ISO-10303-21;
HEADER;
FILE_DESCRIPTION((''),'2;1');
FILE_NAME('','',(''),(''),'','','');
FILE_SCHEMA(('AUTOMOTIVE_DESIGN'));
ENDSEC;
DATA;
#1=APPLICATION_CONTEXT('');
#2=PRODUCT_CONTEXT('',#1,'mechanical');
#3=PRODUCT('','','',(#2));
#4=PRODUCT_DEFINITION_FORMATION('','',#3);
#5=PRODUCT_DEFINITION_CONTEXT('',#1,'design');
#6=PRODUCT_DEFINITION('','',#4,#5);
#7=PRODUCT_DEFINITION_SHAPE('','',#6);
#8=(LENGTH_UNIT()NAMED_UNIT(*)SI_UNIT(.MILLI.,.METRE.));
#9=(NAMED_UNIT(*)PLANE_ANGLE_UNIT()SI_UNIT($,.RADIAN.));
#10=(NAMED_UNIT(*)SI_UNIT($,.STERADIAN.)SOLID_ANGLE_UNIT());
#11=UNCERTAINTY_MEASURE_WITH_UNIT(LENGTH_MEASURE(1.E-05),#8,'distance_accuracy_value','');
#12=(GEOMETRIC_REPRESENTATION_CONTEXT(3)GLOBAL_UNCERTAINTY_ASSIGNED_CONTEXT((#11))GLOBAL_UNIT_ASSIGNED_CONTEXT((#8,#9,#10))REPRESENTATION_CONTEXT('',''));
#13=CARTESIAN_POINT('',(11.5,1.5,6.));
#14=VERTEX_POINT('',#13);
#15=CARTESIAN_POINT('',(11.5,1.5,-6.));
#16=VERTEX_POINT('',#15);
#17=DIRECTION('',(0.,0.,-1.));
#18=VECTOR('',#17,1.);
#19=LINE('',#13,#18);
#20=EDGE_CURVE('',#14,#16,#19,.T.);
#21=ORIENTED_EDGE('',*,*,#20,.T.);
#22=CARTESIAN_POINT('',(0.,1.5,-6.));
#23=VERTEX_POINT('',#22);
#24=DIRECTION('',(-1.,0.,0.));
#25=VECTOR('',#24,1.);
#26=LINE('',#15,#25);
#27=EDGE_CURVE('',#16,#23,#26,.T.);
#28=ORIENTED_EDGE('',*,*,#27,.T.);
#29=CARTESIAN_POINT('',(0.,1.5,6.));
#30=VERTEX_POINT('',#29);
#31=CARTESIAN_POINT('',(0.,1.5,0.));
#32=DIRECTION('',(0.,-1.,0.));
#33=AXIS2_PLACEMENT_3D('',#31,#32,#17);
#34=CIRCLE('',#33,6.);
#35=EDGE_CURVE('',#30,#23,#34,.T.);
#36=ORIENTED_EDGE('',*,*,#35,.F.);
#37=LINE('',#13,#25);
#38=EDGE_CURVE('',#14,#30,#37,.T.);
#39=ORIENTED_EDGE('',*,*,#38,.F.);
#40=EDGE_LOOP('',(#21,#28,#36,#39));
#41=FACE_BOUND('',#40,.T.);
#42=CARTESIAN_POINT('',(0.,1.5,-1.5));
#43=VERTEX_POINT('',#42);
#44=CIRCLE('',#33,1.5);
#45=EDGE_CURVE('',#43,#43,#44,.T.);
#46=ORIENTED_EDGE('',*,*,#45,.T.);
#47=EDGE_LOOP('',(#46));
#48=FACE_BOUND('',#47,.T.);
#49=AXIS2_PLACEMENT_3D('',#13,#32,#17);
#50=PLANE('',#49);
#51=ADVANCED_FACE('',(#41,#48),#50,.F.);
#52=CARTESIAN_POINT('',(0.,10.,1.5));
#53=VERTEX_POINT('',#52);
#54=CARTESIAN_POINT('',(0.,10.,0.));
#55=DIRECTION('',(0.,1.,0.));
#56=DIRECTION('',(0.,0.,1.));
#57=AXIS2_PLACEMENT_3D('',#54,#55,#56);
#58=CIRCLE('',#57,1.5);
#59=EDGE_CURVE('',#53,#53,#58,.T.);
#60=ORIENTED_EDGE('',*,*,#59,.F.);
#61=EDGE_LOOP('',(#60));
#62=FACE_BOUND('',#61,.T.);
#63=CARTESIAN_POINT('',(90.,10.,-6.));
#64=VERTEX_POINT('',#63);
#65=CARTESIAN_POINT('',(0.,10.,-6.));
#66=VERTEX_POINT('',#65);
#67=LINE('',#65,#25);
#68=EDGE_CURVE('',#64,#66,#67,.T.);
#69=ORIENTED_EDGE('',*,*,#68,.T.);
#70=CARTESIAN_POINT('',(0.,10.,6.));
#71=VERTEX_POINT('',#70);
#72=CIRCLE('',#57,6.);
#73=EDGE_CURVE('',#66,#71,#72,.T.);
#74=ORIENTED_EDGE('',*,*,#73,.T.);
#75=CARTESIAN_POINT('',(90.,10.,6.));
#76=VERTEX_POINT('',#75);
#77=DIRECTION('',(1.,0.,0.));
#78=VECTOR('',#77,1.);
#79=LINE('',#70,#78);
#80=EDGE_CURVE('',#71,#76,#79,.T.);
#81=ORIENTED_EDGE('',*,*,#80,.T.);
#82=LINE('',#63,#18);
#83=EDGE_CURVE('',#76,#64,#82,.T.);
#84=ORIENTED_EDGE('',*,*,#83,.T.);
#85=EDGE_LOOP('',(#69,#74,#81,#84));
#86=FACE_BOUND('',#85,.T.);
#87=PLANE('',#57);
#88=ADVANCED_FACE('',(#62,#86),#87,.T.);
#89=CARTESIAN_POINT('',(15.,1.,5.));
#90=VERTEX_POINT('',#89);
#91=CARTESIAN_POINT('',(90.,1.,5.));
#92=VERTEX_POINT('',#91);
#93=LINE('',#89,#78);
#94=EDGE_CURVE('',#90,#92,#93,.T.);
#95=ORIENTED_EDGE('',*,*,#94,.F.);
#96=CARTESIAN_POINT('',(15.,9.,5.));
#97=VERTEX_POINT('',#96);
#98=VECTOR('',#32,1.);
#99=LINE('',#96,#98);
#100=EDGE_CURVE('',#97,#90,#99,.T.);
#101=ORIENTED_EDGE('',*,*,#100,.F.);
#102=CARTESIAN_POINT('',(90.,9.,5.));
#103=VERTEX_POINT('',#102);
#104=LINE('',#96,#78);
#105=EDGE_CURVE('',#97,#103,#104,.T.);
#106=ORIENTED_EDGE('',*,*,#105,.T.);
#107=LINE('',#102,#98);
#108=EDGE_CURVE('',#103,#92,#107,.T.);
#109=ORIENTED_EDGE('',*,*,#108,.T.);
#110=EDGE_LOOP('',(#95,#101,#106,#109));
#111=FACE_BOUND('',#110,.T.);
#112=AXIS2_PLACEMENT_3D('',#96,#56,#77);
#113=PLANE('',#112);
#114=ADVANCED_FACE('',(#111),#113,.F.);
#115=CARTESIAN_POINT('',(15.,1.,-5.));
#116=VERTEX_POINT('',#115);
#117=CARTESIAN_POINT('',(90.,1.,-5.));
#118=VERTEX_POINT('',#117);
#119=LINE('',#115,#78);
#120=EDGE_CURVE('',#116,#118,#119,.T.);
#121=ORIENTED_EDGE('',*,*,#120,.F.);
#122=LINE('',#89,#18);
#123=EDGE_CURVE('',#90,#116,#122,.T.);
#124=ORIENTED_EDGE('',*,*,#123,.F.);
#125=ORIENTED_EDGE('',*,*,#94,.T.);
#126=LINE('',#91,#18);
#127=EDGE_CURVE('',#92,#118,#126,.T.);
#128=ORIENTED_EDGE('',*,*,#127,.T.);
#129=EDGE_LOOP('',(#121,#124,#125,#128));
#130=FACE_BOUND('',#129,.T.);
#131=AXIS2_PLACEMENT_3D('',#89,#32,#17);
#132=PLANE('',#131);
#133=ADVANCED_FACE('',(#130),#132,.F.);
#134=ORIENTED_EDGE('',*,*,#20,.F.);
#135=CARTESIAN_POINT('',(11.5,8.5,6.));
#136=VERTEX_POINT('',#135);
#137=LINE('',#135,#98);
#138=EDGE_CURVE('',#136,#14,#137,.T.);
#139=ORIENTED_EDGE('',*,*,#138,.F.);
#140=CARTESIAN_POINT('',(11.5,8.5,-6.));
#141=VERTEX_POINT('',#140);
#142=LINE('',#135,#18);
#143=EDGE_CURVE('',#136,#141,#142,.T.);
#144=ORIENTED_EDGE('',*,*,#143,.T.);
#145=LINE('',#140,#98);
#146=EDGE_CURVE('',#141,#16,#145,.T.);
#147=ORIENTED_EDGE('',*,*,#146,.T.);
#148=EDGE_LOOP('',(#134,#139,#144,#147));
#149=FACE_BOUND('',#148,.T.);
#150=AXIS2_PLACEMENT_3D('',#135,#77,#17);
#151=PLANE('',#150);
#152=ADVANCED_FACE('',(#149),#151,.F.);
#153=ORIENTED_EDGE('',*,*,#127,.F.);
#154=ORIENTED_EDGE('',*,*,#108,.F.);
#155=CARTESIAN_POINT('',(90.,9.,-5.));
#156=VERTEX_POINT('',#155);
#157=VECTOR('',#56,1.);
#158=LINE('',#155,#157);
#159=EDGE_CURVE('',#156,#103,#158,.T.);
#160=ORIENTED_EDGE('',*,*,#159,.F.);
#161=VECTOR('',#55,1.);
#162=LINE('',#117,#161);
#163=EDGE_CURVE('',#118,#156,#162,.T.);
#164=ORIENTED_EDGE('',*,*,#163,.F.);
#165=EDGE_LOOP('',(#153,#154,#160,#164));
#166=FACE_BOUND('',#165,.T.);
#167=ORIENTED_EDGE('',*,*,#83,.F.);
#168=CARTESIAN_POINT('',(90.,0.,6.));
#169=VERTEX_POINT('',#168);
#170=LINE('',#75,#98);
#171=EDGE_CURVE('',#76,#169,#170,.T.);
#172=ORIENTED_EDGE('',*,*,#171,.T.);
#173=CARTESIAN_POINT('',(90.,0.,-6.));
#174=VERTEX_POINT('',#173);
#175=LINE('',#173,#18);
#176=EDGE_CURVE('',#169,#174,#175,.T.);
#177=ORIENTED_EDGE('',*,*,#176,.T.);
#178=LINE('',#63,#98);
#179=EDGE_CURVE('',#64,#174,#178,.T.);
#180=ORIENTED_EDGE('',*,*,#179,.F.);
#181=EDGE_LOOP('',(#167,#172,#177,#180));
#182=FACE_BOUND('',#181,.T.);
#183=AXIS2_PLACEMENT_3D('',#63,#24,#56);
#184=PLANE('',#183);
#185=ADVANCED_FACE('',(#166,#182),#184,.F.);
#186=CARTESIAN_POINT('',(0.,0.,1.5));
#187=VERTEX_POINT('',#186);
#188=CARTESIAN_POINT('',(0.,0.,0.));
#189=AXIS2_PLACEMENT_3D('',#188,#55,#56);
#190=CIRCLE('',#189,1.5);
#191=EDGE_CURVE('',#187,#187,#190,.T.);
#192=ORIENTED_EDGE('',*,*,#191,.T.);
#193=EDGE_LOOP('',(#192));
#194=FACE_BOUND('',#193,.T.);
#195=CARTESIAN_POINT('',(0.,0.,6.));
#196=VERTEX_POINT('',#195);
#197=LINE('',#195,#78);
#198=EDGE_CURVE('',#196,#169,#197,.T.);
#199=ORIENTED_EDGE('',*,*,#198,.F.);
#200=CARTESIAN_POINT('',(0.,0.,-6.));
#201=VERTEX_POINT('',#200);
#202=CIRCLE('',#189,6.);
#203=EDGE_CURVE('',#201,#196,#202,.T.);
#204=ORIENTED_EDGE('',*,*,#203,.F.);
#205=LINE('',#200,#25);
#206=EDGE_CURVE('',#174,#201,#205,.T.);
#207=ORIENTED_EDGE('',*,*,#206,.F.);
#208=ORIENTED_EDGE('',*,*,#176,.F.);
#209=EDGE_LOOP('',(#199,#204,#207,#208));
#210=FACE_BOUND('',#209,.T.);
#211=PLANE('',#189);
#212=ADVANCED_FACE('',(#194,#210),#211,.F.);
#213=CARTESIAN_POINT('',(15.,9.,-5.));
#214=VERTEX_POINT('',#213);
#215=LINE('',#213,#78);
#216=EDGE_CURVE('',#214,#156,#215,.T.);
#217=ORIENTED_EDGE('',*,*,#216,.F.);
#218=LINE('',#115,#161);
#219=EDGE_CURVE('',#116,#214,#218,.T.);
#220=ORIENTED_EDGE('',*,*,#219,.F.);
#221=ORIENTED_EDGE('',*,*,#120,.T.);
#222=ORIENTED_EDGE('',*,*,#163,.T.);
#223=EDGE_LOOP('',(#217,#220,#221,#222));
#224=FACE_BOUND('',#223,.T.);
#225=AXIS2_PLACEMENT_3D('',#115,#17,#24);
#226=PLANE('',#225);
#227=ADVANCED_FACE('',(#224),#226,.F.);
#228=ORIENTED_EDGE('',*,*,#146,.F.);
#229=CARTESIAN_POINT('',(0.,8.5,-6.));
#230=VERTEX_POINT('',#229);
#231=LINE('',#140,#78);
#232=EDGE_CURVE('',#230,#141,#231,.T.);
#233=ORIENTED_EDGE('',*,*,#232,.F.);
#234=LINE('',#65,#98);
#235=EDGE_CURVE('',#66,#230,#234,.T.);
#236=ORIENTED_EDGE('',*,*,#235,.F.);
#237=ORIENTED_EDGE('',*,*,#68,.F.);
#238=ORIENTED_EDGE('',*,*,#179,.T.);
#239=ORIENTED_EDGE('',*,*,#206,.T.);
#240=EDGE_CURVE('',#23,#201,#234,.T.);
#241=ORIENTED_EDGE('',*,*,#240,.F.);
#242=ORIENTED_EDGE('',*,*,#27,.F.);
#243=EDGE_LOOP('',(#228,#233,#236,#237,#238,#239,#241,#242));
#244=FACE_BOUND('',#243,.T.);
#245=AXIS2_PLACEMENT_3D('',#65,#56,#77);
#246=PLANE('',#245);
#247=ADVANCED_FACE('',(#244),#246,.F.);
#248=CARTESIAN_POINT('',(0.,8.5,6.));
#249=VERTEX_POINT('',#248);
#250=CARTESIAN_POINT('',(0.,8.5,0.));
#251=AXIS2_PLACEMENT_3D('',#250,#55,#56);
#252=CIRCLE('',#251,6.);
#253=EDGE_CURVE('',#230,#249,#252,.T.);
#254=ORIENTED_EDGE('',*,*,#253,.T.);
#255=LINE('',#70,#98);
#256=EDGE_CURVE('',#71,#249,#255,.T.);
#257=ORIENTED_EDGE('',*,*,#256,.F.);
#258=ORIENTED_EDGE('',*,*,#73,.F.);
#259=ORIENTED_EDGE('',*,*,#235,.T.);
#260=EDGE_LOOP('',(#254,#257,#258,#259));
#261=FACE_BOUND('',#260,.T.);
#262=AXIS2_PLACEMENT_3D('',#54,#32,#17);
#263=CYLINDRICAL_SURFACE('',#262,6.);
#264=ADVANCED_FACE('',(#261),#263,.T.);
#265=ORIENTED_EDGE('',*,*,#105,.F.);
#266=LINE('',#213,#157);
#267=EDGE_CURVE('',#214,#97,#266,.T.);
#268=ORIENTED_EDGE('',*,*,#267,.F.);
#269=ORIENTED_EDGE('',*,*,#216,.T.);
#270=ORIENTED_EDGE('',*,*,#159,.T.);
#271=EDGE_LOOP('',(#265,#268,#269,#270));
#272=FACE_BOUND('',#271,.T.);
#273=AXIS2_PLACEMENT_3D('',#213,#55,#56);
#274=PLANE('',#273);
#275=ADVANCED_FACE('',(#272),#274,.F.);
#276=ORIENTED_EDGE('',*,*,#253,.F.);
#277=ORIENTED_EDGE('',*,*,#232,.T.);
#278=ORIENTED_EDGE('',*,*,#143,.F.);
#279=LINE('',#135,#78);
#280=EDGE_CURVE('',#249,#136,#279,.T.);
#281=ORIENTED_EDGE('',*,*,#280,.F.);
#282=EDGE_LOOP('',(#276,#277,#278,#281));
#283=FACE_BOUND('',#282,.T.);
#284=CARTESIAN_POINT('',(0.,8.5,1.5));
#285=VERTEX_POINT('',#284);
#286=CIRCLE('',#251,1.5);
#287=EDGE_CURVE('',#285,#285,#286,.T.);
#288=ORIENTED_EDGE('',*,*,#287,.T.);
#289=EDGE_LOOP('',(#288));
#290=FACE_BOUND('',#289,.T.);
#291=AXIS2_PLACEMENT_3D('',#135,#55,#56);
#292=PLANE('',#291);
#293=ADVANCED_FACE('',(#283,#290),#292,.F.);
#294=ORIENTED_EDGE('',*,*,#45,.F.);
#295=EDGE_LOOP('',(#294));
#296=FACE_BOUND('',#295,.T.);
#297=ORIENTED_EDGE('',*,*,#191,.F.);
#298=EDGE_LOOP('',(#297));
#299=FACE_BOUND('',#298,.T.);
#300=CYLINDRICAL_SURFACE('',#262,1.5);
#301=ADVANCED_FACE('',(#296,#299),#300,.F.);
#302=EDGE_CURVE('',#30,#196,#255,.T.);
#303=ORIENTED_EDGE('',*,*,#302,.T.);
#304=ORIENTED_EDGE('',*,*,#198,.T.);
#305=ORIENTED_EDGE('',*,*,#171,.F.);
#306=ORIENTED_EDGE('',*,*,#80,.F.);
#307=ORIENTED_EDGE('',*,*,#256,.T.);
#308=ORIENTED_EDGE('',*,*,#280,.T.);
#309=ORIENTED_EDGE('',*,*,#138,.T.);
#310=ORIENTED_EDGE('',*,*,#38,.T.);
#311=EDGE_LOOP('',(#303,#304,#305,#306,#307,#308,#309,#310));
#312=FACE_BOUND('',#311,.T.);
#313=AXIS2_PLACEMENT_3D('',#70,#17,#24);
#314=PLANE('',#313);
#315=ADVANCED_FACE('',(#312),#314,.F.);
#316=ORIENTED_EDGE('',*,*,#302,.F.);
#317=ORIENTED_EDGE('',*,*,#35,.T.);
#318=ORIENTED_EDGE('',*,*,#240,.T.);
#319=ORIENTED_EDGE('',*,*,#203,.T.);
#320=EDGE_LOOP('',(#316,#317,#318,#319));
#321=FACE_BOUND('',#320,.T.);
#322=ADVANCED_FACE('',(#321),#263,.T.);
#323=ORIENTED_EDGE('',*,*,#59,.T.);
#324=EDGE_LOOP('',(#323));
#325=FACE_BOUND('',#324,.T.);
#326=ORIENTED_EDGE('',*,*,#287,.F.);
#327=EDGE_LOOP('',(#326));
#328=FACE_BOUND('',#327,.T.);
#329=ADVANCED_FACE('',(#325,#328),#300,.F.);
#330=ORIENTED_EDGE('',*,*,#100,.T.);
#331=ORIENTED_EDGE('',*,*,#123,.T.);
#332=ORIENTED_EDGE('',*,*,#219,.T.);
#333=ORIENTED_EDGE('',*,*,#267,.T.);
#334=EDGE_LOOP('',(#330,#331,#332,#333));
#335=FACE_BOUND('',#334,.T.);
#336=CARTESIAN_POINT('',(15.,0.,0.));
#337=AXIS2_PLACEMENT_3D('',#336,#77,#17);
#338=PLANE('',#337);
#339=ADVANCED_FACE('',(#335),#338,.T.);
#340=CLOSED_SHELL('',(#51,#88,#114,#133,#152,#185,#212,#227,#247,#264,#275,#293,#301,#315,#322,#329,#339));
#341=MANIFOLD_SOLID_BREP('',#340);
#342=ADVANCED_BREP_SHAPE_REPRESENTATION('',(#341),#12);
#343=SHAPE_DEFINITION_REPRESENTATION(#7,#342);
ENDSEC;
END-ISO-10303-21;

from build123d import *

# Parameters (mm, degrees)
SZKIC1_R                    = 1.5
DODANIE_WYCI_GNI_CIE1_DEPTH = 10
SZKIC2_W                    = 35
SZKIC2_H                    = 7
WYTNIJ_WYCI_GNI_CIE1_DEPTH  = 13
SZKIC3_W                    = 10
SZKIC3_H                    = 8
WYTNIJ_WYCI_GNI_CIE2_DEPTH  = 75


with BuildPart() as part:
    # Szkic1 → Dodanie-wyciągnięcie1 (new body)
    with BuildSketch(Plane(origin=(0, 0, 0), x_dir=(1, 0, 0), z_dir=(0, 1, 0))):
        with BuildLine():
            Line((0, 6), (90, 6))
            Line((90, 6), (90, -6))
            Line((90, -6), (0, -6))
            ThreePointArc((0, -6), (-6, 0), (0, 6))
        make_face()
        Circle(SZKIC1_R, mode=Mode.SUBTRACT)
    extrude(amount=DODANIE_WYCI_GNI_CIE1_DEPTH)

    # Szkic2 → Wytnij-wyciągnięcie1 (cut, through all)
    with BuildSketch(Plane(origin=(0, 0, -6), x_dir=(-1, 0, 0), z_dir=(0, 0, -1))):
        with Locations((6, 5)):
            Rectangle(SZKIC2_W, SZKIC2_H)
    extrude(amount=-WYTNIJ_WYCI_GNI_CIE1_DEPTH, mode=Mode.SUBTRACT)

    # Szkic3 → Wytnij-wyciągnięcie2 (cut)
    with BuildSketch(Plane(origin=(90, 0, 0), x_dir=(0, 0, -1), z_dir=(1, 0, 0))):
        with Locations((0, 5)):
            Rectangle(SZKIC3_W, SZKIC3_H)
    extrude(amount=-WYTNIJ_WYCI_GNI_CIE2_DEPTH, mode=Mode.SUBTRACT)


solid = part.part
